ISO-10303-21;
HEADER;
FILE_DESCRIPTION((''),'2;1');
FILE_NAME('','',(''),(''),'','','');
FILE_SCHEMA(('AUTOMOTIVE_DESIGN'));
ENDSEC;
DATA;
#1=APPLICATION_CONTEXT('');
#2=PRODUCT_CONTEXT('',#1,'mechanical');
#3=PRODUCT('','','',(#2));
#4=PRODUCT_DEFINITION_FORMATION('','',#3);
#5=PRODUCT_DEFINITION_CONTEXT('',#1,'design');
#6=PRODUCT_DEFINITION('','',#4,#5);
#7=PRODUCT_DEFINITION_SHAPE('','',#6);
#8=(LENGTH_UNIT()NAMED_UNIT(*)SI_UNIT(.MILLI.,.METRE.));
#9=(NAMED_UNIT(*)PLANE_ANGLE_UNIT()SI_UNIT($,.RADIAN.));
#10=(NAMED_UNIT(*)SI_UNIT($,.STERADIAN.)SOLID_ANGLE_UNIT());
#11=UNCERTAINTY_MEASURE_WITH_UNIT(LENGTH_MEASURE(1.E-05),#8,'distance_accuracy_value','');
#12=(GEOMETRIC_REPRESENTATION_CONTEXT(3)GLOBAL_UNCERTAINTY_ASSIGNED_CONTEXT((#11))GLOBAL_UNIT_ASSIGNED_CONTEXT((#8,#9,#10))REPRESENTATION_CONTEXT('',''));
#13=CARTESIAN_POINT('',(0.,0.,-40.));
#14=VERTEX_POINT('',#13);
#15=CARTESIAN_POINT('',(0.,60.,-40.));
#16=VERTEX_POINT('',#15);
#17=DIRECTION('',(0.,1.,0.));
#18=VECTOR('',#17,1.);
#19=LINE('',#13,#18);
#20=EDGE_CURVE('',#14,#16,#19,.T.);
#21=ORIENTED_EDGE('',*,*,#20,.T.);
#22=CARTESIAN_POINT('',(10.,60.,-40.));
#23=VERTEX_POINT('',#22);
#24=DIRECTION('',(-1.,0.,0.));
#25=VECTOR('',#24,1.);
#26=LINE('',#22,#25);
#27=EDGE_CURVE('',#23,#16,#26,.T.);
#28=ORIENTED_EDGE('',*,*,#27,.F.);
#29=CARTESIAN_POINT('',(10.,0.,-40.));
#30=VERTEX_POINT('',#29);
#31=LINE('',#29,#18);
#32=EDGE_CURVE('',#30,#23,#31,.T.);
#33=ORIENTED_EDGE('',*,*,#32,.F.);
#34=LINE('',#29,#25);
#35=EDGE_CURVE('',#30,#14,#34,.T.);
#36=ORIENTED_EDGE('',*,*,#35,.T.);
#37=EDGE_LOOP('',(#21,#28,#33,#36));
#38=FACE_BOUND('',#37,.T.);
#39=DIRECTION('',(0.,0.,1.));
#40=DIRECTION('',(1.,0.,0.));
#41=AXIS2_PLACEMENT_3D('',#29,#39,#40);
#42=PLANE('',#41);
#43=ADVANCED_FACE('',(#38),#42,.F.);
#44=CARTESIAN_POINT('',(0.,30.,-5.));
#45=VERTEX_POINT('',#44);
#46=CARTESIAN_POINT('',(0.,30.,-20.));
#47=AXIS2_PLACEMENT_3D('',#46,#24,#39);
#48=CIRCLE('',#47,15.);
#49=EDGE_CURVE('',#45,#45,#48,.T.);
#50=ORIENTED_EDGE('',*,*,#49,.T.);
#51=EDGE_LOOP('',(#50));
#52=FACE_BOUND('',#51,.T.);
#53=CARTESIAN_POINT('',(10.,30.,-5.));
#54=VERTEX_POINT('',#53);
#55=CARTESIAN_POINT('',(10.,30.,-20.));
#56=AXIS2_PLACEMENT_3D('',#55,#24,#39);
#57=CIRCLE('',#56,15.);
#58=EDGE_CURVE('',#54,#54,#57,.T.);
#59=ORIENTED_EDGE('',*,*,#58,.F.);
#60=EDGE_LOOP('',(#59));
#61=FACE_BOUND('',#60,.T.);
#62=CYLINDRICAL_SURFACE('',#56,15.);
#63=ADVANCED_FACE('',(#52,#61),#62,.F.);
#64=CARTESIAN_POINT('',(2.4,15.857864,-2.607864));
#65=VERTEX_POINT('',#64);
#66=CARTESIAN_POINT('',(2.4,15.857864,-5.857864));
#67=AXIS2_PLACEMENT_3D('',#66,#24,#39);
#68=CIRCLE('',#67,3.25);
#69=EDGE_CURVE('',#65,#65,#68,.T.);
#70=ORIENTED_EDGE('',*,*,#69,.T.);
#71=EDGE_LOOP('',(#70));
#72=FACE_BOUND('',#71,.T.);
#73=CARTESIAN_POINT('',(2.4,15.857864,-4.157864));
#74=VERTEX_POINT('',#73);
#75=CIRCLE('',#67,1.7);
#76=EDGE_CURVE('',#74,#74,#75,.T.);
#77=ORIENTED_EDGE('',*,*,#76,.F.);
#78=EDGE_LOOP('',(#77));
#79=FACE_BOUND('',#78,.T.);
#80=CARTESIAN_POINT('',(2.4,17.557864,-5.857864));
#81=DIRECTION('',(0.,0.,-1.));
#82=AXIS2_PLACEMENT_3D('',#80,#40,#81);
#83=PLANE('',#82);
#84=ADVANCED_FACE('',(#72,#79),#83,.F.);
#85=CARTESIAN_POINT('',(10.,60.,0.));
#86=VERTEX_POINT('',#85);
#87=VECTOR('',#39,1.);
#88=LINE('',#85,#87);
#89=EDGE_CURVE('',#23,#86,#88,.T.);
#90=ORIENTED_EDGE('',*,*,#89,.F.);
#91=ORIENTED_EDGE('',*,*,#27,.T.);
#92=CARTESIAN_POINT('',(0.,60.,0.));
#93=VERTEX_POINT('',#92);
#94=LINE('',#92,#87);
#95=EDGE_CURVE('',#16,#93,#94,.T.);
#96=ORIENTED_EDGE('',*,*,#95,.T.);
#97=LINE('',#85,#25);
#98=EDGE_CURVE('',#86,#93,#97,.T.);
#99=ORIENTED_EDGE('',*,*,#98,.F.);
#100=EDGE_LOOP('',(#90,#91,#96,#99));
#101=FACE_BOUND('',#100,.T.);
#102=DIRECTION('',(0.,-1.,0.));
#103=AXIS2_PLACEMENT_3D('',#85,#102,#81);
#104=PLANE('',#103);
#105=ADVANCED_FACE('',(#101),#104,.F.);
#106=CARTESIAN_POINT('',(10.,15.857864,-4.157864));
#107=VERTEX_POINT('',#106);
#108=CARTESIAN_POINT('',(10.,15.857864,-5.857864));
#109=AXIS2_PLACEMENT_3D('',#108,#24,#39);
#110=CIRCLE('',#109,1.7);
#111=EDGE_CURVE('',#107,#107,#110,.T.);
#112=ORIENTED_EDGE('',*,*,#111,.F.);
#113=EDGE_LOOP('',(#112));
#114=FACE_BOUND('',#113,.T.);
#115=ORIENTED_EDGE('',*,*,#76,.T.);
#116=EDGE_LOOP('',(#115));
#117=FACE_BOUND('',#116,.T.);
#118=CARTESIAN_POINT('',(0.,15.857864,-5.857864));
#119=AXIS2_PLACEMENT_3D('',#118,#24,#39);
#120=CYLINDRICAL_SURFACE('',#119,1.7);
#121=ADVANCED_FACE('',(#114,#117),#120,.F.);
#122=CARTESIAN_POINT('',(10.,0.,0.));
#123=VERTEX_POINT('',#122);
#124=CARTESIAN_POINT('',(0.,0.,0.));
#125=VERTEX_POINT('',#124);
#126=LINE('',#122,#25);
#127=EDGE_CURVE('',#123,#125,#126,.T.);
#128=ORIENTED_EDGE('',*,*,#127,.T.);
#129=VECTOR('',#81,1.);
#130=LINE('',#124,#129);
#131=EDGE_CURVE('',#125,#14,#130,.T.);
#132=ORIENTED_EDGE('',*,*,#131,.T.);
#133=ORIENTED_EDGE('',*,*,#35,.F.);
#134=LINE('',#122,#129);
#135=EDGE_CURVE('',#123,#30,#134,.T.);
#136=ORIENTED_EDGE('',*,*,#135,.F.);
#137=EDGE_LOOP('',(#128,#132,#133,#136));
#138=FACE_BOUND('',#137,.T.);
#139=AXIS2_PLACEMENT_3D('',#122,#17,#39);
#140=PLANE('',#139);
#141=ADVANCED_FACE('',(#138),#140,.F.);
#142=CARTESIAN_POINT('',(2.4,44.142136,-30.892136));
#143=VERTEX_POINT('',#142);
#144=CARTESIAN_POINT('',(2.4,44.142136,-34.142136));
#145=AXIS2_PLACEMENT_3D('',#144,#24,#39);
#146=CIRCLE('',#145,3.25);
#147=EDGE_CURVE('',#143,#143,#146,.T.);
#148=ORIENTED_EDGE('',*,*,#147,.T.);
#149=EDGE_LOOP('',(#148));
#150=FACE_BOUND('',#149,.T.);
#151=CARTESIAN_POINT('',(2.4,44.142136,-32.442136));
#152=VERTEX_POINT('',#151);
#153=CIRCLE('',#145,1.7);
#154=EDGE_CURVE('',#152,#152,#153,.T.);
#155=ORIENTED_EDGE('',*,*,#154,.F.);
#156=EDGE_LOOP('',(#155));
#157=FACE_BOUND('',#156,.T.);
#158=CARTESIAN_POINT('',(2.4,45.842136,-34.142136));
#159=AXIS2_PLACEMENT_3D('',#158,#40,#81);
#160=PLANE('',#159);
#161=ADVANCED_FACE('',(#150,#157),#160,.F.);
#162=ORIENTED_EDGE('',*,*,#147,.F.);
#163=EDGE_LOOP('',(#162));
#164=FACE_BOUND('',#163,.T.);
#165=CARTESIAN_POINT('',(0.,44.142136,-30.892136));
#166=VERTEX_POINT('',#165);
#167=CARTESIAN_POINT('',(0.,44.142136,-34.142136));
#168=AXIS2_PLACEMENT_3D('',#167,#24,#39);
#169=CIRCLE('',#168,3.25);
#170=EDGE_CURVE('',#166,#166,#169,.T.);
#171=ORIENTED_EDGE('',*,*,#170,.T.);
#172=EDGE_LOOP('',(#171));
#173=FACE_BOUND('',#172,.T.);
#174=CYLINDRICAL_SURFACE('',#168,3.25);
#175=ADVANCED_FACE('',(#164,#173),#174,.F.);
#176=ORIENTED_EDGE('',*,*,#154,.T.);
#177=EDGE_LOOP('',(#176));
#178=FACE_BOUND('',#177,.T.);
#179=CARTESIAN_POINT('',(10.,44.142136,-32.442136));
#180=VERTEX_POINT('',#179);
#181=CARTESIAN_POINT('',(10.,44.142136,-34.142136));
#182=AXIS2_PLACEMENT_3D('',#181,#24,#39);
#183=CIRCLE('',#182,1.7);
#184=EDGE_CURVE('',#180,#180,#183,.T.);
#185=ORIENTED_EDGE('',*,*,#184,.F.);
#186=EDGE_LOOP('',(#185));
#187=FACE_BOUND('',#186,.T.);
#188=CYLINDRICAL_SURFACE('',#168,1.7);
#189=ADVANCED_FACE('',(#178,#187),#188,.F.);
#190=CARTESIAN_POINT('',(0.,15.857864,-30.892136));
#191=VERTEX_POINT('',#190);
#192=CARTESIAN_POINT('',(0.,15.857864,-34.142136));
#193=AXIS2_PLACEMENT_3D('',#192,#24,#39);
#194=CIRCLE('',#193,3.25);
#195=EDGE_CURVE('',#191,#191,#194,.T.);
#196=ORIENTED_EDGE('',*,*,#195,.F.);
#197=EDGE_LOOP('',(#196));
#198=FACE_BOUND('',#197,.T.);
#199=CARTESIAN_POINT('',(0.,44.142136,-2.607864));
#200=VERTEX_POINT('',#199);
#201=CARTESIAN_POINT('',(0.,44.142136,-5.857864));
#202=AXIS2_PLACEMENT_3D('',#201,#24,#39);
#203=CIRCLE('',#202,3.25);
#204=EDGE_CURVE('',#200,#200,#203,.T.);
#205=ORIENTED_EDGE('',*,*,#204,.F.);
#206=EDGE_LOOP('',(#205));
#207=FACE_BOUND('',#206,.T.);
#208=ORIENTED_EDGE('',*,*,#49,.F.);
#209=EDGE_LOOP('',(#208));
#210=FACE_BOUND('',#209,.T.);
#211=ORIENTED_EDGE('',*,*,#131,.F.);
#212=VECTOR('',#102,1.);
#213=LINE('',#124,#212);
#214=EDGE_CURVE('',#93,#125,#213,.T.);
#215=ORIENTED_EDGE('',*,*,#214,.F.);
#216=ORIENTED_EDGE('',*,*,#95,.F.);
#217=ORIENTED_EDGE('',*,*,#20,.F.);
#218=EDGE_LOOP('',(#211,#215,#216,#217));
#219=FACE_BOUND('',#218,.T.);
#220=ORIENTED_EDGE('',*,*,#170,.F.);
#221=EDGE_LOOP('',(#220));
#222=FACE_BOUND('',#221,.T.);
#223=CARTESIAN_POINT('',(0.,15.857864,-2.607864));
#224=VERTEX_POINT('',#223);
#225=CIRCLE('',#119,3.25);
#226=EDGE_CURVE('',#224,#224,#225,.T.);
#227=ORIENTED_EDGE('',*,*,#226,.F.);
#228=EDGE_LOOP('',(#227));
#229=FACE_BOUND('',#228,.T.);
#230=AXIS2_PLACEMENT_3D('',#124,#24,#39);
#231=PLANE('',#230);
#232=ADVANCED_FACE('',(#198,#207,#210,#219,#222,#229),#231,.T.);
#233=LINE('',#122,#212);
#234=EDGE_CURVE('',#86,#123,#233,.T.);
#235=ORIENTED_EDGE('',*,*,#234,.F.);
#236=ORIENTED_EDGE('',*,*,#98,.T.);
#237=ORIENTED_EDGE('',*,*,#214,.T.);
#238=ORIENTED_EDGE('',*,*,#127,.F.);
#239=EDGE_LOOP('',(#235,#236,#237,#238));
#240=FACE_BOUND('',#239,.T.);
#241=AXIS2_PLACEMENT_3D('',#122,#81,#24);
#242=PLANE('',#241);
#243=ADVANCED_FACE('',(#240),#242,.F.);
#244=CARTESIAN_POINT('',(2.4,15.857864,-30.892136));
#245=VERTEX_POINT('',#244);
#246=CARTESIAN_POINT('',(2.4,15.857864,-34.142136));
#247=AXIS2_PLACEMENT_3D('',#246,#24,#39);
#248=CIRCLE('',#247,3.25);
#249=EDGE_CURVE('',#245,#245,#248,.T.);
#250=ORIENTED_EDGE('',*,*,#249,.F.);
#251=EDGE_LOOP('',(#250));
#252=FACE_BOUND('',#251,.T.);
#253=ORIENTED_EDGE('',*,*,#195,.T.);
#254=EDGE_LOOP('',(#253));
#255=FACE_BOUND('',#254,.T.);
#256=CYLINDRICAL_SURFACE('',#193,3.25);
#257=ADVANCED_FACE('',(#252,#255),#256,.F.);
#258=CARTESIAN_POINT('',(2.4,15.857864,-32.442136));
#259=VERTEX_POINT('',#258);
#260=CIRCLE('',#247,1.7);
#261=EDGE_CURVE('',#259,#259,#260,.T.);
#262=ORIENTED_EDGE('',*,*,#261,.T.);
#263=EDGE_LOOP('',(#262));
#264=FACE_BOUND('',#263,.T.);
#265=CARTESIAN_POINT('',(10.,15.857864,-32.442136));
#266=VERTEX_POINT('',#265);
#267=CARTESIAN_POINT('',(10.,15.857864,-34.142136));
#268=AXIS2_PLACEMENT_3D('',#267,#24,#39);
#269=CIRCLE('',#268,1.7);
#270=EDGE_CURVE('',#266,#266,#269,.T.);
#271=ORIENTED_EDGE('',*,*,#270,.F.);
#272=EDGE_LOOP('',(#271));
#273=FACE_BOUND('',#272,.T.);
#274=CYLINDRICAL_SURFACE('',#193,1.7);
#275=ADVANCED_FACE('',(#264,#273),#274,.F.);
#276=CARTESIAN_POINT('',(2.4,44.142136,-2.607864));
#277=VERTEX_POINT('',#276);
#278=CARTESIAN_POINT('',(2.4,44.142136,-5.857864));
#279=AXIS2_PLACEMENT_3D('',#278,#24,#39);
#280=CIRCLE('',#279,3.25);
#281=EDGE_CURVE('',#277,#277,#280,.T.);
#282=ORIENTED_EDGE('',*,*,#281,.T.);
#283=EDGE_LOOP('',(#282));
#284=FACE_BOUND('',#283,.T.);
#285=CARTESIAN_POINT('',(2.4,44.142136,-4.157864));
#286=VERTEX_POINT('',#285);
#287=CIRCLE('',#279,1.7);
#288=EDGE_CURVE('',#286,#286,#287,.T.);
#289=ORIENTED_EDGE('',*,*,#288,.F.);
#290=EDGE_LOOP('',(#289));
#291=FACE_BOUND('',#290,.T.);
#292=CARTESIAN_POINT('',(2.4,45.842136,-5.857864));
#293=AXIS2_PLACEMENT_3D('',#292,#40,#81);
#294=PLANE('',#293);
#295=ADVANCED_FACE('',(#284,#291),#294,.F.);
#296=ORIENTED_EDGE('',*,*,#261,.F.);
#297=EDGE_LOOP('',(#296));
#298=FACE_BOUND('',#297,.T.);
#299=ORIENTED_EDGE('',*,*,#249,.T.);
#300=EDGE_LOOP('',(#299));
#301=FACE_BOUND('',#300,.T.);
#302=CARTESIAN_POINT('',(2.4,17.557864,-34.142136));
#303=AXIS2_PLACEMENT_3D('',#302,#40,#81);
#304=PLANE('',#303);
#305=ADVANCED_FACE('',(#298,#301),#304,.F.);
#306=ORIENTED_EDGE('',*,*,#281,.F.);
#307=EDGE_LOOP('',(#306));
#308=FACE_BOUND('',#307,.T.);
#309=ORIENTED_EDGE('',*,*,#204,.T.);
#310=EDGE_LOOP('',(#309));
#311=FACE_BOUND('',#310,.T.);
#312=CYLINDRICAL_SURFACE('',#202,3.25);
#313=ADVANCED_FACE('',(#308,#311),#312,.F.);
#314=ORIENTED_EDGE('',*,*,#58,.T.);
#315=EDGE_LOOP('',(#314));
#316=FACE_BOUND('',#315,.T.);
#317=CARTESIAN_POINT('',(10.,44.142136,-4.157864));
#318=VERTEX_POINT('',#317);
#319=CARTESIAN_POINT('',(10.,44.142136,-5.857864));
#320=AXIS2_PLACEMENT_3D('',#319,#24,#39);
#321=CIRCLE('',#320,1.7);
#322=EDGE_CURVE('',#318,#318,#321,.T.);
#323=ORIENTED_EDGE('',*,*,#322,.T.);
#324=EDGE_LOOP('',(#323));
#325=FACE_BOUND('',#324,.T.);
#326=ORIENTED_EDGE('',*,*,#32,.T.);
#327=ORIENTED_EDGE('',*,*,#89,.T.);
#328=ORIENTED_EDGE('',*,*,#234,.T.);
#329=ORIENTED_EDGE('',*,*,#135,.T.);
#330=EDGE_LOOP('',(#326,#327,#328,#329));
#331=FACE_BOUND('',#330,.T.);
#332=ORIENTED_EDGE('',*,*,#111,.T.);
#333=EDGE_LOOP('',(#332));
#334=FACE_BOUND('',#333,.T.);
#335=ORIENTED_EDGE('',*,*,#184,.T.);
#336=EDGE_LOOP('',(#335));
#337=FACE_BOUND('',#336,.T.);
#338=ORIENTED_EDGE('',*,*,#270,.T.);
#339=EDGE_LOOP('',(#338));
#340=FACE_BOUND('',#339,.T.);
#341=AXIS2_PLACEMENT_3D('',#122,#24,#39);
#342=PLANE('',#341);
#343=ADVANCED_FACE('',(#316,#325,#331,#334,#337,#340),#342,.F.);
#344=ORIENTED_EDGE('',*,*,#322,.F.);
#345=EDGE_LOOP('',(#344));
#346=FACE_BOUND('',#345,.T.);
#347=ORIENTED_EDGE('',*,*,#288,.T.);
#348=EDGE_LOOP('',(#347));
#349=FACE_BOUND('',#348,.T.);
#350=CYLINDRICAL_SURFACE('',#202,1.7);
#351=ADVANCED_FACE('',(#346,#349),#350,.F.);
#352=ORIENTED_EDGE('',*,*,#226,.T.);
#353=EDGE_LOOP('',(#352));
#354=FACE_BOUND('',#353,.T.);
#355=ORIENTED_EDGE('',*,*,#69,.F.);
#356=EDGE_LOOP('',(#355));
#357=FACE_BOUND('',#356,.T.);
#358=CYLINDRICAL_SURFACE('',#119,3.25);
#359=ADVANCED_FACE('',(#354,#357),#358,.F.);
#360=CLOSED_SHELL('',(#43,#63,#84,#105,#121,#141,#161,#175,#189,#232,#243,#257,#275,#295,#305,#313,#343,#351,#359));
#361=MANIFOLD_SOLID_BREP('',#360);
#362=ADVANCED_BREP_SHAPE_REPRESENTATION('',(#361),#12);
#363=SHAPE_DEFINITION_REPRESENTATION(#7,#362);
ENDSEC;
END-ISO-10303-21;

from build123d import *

# Parameters (mm, degrees)
SKETCH1_W                                            = 40
SKETCH1_H                                            = 60
BOSS_EXTRUDE1_DEPTH                                  = 10
CBORE_FOR_M3_HEX_SOCKET_THIN_HEAD_CAP_SC_D           = 3.4
CBORE_FOR_M3_HEX_SOCKET_THIN_HEAD_CAP_SC_CBORE_D     = 6.5
CBORE_FOR_M3_HEX_SOCKET_THIN_HEAD_CAP_SC_CBORE_DEPTH = 2.4
SKETCH4_R                                            = 15
CUT_EXTRUDE1_DEPTH                                   = 73.801098893


with BuildPart() as part:
    # Sketch1 → Boss-Extrude1 (new body)
    with BuildSketch(Plane(origin=(0, 0, 0), x_dir=(0, 0, -1), z_dir=(1, 0, 0))):
        with Locations((20, 30)):
            Rectangle(SKETCH1_W, SKETCH1_H)
    extrude(amount=BOSS_EXTRUDE1_DEPTH)

    # CBORE for M3 Hex Socket Thin Head Cap Screw1 (through all)
    with Locations(Plane(origin=(0, 0, 0), x_dir=(0, 0, -1), z_dir=(-1, 0, 0))):
        with Locations((5.857864376, -15.857864376), (5.857864376, -44.142135624), (34.142135624, -44.142135624), (34.142135624, -15.857864376)):
            CounterBoreHole(CBORE_FOR_M3_HEX_SOCKET_THIN_HEAD_CAP_SC_D / 2, CBORE_FOR_M3_HEX_SOCKET_THIN_HEAD_CAP_SC_CBORE_D / 2, CBORE_FOR_M3_HEX_SOCKET_THIN_HEAD_CAP_SC_CBORE_DEPTH)

    # Sketch4 → Cut-Extrude1 (cut, through all)
    with BuildSketch(Plane.ZY):
        with Locations((-20, 30)):
            Circle(SKETCH4_R)
    extrude(amount=-CUT_EXTRUDE1_DEPTH, mode=Mode.SUBTRACT)


solid = part.part
